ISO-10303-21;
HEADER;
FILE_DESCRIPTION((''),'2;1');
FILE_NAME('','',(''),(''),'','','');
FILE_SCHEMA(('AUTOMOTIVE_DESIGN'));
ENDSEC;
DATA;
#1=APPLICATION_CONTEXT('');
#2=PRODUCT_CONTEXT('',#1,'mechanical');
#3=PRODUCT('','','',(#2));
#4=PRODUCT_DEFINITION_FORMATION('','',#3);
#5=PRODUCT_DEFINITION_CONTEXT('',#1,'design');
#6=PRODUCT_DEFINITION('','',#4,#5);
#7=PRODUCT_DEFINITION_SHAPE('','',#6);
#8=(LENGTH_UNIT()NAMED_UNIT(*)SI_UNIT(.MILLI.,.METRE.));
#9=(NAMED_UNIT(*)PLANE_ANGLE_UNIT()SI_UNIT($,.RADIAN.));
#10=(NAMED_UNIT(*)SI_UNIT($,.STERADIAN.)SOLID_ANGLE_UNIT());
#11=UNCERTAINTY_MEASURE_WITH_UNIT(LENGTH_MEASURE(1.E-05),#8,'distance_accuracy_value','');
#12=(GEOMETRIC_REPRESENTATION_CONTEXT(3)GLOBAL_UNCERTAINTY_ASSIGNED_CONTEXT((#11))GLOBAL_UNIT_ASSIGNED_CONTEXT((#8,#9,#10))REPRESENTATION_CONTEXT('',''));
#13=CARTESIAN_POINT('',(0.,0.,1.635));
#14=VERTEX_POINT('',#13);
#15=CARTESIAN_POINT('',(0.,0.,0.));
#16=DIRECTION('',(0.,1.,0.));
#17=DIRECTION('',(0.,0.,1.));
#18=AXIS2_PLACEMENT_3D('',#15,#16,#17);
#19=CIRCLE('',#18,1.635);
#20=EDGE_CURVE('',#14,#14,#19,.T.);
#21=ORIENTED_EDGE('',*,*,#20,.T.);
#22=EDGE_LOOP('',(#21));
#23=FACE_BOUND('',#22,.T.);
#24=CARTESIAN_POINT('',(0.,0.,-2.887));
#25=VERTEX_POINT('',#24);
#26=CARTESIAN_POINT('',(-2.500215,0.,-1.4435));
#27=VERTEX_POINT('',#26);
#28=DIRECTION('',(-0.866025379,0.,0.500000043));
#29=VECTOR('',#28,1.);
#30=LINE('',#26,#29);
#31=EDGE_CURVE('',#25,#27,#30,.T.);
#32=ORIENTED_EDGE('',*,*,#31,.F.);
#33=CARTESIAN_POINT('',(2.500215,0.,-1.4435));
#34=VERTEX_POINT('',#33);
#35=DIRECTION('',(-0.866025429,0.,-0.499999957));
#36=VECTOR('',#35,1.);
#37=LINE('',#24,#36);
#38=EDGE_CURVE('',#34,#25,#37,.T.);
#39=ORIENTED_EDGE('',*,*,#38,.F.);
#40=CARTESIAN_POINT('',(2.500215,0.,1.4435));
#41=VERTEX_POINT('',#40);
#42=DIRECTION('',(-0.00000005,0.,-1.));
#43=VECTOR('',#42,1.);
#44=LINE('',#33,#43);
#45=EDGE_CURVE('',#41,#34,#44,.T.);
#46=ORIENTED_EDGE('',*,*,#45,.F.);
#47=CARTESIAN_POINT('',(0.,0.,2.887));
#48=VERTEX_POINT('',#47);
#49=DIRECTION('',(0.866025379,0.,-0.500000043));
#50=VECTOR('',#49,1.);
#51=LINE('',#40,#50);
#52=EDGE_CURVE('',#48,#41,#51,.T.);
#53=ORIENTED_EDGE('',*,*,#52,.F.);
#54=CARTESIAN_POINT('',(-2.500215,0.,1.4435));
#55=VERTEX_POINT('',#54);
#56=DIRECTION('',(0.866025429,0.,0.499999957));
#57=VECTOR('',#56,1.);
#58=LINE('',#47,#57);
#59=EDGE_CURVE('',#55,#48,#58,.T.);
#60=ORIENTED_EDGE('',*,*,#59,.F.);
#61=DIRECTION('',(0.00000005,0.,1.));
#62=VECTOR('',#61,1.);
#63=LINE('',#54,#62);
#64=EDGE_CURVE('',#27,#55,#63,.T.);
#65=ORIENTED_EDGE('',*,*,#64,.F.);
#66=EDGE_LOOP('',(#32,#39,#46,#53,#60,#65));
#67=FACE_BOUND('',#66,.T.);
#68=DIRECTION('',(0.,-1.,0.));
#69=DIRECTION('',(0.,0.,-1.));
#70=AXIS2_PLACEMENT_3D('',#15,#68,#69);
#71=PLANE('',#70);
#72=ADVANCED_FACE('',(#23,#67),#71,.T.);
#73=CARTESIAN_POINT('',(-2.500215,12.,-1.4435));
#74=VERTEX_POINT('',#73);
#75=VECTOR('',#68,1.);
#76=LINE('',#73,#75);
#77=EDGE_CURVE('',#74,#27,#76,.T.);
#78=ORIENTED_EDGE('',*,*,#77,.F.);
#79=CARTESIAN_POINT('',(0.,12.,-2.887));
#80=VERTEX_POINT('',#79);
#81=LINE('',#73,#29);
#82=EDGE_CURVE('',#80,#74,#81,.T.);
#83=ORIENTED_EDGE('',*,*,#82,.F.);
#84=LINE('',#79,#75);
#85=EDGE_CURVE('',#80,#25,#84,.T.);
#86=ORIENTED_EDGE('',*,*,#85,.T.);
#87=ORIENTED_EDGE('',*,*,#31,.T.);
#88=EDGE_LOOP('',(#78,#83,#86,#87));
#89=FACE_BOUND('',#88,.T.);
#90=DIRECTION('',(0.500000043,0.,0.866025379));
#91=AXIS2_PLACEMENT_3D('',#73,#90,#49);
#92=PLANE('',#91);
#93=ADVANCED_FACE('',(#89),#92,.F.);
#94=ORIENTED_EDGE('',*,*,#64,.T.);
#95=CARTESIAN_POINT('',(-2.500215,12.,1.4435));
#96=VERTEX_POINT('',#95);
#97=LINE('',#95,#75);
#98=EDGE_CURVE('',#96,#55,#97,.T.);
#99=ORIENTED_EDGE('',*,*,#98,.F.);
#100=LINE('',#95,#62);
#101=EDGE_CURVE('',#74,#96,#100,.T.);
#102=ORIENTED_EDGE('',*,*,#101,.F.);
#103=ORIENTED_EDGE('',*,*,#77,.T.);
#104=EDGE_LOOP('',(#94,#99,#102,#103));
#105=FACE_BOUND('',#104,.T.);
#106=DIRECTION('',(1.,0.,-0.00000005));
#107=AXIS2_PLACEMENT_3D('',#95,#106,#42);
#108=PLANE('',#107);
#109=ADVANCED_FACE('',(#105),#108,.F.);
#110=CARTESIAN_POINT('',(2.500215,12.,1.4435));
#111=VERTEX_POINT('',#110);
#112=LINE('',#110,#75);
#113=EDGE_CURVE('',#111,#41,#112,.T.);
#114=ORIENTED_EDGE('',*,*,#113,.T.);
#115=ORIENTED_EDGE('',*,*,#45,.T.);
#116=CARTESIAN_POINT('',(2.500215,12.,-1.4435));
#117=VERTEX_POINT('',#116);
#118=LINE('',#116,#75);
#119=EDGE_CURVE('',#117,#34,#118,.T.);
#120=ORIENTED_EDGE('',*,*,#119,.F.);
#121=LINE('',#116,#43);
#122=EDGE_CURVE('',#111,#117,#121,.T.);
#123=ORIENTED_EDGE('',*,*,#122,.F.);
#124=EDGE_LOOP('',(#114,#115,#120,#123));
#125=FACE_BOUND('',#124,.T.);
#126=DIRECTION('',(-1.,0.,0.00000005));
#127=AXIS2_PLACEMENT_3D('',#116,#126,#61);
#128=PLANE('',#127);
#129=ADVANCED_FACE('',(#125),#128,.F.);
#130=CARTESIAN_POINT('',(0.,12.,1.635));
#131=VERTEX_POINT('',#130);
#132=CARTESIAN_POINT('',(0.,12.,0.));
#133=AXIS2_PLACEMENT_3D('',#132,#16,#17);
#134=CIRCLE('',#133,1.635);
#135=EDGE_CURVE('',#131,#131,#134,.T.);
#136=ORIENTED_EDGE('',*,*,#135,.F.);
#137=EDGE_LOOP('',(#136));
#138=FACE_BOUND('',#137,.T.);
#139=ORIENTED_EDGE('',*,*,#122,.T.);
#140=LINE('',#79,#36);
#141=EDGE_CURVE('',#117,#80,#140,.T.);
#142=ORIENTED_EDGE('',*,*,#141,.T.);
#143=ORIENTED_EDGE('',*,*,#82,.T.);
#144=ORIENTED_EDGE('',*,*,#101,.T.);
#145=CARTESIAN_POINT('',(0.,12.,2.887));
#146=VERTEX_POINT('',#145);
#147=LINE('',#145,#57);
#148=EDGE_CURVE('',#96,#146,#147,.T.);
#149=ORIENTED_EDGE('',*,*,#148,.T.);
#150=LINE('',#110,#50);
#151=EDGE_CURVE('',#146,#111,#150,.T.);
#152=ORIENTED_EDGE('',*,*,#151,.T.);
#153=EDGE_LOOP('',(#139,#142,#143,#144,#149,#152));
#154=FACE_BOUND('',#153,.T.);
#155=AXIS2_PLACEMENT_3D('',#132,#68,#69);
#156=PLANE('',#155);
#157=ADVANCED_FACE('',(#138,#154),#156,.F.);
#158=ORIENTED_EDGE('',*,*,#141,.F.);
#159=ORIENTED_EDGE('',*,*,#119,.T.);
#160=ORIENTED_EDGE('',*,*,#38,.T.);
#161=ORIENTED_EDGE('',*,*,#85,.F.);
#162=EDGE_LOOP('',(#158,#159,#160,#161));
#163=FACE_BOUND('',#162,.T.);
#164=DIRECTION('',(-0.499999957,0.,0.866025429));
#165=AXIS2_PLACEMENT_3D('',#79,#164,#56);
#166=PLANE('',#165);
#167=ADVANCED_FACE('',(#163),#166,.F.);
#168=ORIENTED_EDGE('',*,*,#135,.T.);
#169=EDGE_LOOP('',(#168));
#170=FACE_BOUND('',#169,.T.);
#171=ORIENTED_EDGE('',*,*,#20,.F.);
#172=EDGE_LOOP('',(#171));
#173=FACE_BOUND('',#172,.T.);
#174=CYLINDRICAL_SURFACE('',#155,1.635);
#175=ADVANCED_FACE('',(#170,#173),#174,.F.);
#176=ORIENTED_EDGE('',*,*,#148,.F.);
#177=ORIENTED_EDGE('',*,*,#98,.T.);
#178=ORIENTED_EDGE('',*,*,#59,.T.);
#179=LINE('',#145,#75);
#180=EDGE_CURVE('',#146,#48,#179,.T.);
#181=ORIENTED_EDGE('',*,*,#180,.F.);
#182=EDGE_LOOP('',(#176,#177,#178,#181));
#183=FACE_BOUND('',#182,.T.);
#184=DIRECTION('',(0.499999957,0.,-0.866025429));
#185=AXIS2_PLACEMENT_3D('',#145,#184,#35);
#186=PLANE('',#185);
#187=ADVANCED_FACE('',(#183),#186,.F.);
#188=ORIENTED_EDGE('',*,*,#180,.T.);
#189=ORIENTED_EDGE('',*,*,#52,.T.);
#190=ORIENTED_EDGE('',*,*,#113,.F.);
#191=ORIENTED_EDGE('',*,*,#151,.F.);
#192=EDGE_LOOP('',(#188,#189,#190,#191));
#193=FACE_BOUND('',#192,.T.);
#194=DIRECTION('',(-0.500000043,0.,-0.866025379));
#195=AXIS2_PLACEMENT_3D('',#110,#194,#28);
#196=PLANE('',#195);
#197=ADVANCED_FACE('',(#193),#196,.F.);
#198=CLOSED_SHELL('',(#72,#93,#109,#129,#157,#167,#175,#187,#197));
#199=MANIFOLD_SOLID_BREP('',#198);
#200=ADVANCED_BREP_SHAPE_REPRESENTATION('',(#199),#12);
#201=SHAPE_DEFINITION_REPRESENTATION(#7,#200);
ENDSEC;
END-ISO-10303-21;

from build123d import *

# Parameters (mm, degrees)
SKETCH1_R           = 1.635
BOSS_EXTRUDE1_DEPTH = 12


with BuildPart() as part:
    # Sketch1 → Boss-Extrude1 (new body)
    with BuildSketch(Plane(origin=(0, 0, 0), x_dir=(1, 0, 0), z_dir=(0, 1, 0))):
        Polygon((2.500215268, 1.443500126), (2.500215413, -1.443499874), (1.45e-07, -2.887), (-2.500215268, -1.443500126), (-2.500215413, 1.443499874), (-1.45e-07, 2.887), align=None)
        with Locations(Location((0, 0, 0), (0, 0, 270))):
            Circle(SKETCH1_R, mode=Mode.SUBTRACT)
    extrude(amount=BOSS_EXTRUDE1_DEPTH)


solid = part.part
